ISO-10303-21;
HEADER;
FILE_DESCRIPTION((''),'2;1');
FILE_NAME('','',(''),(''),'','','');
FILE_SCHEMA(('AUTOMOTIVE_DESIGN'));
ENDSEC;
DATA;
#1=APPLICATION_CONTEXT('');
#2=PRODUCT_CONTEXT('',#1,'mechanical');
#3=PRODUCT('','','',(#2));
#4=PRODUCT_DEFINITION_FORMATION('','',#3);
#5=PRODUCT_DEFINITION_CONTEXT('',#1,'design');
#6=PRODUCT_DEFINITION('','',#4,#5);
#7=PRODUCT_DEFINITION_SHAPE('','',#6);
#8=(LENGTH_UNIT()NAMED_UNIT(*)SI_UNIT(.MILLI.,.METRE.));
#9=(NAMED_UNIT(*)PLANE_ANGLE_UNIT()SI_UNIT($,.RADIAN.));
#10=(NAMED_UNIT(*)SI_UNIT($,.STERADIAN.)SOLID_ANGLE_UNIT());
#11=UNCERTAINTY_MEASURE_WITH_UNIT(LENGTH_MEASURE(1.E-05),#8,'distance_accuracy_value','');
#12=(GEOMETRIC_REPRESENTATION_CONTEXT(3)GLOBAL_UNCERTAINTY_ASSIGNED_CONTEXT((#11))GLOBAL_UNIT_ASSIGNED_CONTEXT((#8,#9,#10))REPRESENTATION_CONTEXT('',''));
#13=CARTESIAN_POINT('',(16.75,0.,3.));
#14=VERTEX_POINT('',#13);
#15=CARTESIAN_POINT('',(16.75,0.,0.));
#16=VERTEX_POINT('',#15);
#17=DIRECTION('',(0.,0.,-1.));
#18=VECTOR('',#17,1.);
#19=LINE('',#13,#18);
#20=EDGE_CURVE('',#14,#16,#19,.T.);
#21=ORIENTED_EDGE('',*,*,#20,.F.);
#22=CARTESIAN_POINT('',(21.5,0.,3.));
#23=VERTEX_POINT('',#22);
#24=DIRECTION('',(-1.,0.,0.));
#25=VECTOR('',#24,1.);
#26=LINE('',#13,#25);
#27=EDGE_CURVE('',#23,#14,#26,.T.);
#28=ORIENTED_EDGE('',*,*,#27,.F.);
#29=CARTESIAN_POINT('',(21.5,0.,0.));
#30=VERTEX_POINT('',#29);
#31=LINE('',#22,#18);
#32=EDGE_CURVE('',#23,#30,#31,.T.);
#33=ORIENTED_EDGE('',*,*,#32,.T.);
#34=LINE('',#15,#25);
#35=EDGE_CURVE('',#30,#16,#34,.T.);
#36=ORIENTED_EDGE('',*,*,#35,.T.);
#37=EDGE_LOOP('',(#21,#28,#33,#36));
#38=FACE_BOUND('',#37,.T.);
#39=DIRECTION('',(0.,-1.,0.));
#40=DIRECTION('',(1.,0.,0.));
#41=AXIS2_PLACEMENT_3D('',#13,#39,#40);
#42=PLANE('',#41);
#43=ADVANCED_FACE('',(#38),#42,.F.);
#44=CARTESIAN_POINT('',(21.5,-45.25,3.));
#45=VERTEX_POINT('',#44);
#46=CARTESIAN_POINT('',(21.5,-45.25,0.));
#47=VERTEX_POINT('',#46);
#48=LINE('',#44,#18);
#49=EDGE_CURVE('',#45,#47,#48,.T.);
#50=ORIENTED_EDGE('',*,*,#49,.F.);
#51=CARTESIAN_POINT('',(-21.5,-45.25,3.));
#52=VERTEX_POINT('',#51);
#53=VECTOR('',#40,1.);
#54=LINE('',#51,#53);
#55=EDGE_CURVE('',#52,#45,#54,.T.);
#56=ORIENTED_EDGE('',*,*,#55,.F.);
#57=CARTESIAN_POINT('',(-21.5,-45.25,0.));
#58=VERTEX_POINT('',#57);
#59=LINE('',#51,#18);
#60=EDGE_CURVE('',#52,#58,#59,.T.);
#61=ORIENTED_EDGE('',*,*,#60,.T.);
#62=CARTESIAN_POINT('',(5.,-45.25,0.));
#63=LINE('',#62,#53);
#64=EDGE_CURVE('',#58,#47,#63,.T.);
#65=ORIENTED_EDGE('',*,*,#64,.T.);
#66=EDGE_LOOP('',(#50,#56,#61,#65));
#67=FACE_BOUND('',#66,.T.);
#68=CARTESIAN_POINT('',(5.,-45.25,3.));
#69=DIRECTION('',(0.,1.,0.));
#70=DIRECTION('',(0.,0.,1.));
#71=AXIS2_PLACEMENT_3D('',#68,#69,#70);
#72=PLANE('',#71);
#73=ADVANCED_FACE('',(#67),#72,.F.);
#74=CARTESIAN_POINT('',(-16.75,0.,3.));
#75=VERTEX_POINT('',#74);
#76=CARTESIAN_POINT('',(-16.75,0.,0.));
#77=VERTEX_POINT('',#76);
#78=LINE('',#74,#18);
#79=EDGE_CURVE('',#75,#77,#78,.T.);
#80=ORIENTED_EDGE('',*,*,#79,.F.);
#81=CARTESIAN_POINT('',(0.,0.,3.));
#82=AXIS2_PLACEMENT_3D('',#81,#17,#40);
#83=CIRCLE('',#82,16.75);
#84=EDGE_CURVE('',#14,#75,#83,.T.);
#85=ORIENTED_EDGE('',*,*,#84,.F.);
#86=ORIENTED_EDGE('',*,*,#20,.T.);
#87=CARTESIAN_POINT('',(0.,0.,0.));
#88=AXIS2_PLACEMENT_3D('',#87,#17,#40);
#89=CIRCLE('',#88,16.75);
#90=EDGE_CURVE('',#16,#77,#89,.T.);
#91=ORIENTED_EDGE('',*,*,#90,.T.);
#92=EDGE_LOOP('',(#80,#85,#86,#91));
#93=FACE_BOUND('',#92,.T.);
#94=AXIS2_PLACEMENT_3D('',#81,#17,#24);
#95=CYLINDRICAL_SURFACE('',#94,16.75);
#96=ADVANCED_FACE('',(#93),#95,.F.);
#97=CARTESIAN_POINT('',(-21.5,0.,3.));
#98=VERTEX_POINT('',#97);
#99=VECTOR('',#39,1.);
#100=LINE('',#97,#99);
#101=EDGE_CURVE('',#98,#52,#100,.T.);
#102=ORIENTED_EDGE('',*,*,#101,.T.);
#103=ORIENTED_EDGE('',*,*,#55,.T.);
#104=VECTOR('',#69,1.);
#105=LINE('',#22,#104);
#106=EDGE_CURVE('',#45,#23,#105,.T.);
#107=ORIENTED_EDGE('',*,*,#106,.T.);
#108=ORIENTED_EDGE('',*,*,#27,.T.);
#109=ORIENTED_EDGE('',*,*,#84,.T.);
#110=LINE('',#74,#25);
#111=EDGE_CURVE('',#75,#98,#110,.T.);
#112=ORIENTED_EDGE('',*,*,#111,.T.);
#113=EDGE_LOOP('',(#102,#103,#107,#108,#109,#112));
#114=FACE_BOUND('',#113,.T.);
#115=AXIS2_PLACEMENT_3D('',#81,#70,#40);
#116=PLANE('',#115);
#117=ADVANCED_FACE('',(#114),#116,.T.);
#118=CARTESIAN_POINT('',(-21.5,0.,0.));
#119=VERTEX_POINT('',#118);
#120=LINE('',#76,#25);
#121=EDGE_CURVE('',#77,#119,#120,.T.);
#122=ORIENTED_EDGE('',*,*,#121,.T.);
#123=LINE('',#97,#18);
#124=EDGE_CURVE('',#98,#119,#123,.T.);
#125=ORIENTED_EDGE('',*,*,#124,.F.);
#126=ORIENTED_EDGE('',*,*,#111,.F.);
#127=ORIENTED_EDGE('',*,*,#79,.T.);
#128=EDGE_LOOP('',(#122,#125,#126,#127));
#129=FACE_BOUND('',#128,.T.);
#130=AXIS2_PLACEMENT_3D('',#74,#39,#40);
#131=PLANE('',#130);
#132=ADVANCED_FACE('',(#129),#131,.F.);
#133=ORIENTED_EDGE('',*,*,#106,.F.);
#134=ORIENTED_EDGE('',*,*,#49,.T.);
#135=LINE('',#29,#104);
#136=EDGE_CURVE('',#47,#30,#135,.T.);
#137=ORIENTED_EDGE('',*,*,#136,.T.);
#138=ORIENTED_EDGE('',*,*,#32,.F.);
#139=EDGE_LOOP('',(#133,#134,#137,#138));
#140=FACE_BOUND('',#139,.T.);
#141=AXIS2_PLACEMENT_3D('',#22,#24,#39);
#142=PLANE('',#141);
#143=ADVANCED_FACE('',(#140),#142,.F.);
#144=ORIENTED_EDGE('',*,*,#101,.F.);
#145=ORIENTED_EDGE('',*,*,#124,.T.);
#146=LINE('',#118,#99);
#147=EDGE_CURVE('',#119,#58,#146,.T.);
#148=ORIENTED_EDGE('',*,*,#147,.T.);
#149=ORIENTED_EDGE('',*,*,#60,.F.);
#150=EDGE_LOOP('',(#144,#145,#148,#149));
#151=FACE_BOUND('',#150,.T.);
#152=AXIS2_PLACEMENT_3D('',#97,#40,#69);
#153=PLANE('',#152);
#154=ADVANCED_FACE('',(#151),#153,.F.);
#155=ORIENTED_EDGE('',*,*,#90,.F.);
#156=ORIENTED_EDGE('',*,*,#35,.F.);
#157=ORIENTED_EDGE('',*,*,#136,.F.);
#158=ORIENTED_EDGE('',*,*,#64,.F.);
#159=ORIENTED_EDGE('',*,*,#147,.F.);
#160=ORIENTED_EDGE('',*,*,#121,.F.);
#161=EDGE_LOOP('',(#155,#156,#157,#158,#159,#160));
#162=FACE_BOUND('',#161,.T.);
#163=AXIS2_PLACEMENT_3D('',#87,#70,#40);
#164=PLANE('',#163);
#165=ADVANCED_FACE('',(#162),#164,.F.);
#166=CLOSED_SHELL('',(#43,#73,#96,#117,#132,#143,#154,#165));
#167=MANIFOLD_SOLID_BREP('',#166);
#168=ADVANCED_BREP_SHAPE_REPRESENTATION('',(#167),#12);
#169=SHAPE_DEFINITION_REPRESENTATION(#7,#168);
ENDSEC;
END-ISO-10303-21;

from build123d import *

# Parameters (mm, degrees)
BOSS_EXTRUDE1_DEPTH = 3


with BuildPart() as part:
    # Sketch1 → Boss-Extrude1 (new body)
    with BuildSketch(Plane.XY):
        with BuildLine():
            Line((-16.75, 0), (-21.5, 0))
            Line((-21.5, 0), (-21.5, -45.25))
            Line((-21.5, -45.25), (-5, -45.25))
            Line((-5, -45.25), (5, -45.25))
            Line((5, -45.25), (21.5, -45.25))
            Line((21.5, -45.25), (21.5, 0))
            Line((21.5, 0), (16.75, 0))
            ThreePointArc((16.75, 0), (0, -16.75), (-16.75, 0))
        make_face()
    extrude(amount=BOSS_EXTRUDE1_DEPTH)


solid = part.part
